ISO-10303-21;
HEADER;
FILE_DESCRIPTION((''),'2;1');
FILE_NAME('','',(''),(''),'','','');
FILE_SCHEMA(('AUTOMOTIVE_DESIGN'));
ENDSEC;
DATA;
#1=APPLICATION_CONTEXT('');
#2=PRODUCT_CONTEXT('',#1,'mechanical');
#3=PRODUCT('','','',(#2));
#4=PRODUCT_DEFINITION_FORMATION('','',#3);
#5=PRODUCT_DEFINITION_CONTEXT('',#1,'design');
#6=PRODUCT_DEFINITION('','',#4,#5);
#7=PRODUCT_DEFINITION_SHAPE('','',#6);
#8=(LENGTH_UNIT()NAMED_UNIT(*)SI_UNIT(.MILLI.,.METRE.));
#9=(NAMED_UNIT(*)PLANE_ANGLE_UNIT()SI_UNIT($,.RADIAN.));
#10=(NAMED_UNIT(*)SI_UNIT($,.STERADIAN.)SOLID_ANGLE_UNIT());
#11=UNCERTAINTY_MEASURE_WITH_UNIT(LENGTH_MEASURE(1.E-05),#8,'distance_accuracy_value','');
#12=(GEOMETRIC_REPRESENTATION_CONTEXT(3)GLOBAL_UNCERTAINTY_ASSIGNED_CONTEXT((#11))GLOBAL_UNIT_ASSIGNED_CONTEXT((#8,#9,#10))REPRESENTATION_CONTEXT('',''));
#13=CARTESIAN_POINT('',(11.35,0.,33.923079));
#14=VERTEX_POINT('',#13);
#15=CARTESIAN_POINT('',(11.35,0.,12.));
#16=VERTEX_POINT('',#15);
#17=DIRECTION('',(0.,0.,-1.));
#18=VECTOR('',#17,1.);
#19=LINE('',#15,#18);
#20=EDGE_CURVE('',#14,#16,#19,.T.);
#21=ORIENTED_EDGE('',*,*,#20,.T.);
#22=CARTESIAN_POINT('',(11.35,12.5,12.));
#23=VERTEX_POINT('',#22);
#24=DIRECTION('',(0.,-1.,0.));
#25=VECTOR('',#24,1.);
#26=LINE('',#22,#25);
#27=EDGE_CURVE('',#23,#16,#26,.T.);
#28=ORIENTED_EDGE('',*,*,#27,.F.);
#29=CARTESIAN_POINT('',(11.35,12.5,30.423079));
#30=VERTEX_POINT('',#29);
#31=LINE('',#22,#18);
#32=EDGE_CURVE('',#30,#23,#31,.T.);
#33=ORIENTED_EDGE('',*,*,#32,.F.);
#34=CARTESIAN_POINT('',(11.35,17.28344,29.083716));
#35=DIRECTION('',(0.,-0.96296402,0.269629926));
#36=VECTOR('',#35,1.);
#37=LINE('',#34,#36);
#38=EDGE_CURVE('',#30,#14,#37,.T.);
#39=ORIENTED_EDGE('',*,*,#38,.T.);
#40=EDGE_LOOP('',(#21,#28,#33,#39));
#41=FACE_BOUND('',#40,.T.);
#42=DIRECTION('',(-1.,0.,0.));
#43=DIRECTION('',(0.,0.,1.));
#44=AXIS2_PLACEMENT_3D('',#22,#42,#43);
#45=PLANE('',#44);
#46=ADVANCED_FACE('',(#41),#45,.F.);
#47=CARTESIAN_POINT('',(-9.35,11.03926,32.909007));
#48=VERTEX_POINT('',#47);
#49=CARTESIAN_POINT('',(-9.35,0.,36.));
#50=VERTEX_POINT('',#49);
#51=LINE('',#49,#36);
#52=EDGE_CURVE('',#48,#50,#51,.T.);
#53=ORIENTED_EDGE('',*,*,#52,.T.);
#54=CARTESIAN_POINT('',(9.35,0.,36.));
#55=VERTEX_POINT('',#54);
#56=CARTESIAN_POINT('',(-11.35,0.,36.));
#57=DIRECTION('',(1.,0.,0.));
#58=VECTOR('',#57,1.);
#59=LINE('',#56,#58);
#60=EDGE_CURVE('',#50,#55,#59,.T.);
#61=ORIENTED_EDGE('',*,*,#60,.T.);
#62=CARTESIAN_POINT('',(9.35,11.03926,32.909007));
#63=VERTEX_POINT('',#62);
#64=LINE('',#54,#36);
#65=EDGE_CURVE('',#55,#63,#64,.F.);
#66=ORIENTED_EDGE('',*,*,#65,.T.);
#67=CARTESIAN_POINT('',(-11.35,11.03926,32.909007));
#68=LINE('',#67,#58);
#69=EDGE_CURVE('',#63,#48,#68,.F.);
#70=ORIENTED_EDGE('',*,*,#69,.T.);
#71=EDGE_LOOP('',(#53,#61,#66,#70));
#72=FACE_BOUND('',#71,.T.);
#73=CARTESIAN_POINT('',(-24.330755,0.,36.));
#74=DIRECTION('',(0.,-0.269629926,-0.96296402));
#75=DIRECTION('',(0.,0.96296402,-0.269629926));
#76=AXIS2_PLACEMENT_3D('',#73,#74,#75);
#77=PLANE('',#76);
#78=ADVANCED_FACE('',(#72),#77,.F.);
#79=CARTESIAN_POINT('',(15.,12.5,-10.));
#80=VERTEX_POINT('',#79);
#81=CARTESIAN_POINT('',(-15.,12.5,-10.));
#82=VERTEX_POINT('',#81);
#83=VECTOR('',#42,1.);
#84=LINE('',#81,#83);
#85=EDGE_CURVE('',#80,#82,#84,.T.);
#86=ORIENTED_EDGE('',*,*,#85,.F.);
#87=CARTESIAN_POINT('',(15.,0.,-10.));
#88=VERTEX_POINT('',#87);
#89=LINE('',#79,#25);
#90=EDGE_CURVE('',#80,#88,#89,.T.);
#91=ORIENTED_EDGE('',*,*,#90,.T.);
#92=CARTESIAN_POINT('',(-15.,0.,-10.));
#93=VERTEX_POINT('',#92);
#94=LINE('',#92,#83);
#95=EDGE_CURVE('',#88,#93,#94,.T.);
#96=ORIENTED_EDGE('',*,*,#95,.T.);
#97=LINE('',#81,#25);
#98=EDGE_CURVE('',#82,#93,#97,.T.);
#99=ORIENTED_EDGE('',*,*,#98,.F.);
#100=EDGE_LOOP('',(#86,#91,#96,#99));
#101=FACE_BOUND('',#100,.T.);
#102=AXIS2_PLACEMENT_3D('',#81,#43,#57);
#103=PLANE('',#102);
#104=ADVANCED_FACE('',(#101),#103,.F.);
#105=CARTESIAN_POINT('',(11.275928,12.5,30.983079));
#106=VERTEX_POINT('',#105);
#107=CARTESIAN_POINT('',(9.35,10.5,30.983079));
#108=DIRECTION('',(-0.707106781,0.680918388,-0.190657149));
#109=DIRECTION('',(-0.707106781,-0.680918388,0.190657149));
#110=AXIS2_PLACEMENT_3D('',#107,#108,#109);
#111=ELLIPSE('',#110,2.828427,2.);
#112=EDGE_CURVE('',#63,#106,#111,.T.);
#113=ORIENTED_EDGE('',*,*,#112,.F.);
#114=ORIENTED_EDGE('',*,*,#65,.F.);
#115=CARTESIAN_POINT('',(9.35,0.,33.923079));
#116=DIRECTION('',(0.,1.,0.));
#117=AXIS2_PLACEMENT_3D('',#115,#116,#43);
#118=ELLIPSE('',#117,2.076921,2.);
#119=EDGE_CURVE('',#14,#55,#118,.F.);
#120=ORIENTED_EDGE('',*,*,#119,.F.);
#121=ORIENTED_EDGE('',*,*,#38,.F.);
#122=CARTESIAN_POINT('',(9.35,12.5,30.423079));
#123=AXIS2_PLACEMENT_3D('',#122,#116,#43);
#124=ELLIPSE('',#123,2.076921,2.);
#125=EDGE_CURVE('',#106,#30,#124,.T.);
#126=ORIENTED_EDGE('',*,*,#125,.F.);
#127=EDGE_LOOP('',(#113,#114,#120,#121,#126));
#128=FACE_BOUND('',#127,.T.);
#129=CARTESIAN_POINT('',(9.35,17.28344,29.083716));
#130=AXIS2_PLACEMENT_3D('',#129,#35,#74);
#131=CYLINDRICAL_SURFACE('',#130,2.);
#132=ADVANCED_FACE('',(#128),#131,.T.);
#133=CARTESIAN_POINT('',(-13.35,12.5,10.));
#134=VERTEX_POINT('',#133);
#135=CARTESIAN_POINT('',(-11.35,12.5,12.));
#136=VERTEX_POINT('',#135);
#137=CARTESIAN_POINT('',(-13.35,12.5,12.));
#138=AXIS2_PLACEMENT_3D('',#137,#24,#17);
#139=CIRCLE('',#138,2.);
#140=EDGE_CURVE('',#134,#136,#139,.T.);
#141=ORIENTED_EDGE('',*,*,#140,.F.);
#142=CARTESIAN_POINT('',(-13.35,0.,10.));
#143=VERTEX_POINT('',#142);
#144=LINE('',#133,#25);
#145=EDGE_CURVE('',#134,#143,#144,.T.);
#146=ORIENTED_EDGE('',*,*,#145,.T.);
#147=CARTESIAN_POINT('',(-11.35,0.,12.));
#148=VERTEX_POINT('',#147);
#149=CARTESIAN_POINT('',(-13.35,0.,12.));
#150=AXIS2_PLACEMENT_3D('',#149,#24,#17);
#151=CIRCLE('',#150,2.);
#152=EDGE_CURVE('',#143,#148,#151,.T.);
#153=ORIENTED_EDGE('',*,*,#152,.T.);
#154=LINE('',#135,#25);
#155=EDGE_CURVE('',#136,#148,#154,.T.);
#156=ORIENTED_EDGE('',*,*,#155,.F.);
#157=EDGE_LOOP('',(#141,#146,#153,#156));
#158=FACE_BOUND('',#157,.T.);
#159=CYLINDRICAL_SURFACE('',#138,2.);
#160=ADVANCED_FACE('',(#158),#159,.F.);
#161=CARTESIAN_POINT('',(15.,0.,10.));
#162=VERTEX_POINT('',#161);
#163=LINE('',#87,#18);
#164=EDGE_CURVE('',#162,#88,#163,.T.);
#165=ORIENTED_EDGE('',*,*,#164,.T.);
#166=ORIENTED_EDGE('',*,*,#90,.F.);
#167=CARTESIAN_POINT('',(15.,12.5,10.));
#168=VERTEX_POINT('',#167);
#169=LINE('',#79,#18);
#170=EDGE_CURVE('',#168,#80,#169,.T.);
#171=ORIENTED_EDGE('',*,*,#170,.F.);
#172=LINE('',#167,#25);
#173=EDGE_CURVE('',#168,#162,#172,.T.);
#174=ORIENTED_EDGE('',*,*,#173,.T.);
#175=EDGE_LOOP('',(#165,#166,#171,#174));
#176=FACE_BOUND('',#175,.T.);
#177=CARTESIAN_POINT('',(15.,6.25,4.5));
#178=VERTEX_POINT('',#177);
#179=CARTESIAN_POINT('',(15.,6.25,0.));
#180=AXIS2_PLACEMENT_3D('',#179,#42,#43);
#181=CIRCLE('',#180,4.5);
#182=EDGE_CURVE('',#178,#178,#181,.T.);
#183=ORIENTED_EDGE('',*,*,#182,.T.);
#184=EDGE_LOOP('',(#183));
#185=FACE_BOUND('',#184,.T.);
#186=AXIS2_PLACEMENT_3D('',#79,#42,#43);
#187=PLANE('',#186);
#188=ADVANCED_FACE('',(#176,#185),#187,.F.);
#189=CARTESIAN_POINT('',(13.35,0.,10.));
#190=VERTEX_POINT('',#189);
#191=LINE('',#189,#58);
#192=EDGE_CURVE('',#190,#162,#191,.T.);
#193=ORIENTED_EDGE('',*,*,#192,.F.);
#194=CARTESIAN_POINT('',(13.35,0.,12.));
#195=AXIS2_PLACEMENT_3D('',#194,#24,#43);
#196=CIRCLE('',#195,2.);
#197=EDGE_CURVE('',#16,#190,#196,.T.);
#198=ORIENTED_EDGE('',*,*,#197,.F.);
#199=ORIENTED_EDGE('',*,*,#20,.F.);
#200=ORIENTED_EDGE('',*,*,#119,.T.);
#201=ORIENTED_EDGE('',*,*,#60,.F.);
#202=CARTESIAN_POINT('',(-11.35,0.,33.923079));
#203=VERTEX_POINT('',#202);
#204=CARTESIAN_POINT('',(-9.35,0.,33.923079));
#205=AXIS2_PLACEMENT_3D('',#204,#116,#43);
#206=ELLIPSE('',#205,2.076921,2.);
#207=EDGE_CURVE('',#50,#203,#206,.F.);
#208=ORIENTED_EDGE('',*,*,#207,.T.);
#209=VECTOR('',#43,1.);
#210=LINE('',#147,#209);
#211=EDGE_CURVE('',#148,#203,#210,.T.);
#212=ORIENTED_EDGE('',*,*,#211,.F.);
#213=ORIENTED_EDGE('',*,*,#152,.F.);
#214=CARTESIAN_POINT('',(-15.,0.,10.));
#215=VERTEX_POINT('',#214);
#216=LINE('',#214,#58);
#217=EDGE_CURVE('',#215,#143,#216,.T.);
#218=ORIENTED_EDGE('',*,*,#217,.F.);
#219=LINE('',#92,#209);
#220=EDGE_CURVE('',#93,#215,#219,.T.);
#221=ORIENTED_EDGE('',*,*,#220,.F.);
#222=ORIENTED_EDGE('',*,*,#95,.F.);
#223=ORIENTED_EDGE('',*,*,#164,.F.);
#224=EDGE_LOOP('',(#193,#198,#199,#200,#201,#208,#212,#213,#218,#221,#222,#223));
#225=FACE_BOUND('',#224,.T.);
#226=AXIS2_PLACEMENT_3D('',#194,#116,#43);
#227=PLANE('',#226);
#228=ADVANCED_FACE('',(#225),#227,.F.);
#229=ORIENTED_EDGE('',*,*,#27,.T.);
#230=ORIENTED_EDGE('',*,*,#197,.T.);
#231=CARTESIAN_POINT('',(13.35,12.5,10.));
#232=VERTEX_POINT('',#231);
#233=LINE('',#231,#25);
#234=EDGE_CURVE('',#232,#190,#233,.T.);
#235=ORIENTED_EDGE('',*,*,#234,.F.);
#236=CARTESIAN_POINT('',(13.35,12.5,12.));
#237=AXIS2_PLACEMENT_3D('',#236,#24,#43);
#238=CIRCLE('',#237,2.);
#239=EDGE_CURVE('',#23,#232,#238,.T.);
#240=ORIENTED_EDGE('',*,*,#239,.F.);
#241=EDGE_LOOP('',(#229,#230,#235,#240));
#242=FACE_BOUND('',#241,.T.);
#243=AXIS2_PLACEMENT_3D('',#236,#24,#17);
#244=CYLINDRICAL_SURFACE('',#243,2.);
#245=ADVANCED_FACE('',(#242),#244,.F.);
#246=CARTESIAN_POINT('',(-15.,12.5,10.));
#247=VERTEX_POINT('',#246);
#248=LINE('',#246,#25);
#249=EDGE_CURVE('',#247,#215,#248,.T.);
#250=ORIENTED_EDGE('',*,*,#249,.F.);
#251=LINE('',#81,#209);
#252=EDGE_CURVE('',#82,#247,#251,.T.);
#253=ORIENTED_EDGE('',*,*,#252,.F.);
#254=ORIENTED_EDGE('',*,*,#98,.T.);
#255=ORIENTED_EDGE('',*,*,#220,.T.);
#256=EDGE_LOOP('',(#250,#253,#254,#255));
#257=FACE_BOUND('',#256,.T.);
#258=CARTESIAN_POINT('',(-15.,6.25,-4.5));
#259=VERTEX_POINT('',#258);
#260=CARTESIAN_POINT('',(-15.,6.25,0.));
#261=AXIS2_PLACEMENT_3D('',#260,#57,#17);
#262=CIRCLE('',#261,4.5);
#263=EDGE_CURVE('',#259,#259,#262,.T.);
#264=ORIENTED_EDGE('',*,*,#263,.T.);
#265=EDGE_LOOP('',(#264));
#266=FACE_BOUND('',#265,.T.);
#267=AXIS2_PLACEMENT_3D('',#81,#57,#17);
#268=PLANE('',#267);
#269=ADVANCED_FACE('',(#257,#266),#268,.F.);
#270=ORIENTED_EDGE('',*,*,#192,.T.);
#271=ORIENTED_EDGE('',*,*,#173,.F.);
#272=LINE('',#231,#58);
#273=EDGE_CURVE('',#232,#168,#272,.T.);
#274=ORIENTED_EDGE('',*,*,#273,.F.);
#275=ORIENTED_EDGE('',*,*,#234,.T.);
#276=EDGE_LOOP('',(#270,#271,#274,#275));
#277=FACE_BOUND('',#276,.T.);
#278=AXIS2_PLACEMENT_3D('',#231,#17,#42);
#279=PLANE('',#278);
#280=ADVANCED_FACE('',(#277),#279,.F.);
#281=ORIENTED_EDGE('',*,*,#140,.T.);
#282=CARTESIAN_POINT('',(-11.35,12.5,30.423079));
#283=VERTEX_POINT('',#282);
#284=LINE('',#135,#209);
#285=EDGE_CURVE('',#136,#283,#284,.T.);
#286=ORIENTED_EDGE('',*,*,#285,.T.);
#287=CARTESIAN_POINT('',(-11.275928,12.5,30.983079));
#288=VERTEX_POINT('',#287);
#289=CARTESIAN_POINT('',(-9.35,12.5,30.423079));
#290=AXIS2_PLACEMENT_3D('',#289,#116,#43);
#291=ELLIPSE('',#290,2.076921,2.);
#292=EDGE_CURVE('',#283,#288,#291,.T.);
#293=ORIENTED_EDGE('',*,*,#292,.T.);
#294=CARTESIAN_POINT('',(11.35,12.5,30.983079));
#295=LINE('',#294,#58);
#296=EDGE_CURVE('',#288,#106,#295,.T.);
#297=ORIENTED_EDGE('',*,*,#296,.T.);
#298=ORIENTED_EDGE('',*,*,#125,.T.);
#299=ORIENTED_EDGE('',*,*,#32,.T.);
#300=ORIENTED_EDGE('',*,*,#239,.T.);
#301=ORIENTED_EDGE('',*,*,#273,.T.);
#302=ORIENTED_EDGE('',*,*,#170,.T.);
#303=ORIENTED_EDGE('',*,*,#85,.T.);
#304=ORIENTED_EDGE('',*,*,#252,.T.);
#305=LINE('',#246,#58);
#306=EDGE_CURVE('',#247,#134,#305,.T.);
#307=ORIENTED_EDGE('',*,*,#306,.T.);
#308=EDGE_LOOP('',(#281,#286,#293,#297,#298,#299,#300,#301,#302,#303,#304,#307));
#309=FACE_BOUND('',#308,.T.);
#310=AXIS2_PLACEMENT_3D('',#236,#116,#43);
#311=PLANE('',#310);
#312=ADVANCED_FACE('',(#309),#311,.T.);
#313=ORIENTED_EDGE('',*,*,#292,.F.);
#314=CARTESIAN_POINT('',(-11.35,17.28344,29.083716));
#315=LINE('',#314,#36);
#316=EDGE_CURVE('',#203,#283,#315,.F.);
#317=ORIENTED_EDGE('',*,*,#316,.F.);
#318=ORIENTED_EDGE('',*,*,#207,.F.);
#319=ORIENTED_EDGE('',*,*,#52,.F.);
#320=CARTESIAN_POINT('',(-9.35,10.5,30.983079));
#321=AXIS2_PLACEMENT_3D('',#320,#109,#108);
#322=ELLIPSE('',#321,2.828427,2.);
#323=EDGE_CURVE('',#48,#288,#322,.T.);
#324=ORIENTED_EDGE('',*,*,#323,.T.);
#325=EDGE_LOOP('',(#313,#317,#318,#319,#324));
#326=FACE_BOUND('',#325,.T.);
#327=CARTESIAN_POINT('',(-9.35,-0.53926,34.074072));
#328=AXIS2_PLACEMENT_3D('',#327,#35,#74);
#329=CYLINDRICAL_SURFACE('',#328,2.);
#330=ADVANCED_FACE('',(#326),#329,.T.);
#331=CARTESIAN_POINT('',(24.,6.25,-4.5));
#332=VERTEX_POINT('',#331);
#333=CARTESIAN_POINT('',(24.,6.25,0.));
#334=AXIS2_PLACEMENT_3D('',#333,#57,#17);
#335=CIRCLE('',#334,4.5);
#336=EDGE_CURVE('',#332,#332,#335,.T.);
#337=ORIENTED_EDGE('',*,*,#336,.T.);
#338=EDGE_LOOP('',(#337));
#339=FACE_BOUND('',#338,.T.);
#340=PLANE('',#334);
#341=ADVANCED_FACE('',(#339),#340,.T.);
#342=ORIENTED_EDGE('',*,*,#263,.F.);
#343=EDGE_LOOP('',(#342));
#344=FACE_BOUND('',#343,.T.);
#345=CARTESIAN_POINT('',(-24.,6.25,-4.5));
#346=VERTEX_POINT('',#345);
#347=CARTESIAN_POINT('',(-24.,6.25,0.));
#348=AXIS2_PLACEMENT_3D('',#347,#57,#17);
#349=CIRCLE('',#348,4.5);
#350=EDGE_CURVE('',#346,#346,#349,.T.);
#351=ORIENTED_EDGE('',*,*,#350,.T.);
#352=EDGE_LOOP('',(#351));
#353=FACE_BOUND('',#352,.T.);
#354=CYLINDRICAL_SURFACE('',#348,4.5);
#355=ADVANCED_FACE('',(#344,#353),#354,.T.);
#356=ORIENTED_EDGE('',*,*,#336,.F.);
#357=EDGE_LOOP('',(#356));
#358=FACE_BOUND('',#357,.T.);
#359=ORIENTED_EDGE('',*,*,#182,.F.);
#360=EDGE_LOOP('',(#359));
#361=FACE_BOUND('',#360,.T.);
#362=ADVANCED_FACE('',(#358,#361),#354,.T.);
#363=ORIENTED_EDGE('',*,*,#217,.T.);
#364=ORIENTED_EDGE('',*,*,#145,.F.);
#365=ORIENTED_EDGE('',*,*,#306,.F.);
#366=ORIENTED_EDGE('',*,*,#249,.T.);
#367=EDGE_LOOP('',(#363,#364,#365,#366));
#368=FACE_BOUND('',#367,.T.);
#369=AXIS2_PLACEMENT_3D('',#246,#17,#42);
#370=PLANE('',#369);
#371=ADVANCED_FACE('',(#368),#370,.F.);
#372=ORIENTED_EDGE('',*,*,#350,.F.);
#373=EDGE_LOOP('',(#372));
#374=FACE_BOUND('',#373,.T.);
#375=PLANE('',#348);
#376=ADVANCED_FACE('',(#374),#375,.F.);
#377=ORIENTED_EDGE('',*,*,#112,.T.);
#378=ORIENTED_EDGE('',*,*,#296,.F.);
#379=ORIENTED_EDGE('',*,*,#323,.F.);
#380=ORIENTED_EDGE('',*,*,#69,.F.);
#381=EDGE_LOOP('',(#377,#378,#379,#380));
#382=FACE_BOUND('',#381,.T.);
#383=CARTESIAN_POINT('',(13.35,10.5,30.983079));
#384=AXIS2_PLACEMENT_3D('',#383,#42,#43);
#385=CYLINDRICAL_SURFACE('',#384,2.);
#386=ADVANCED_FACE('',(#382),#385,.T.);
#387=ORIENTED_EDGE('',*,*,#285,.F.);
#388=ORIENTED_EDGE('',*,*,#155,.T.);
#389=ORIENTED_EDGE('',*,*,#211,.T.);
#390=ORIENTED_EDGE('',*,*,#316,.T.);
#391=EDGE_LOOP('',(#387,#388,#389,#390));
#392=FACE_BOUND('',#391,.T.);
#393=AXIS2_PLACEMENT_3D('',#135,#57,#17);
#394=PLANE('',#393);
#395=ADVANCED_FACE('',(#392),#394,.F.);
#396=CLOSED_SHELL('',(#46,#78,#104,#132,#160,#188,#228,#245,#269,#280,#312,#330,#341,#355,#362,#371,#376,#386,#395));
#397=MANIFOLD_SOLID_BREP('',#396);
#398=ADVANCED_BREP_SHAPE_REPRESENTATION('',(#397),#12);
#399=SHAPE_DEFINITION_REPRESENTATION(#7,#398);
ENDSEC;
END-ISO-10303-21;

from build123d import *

# Parameters (mm, degrees)
BOSS_EXTRUDE1_DEPTH            = 12.5
CUT_EXTRUDE1_REACH             = 42.954
CUT_EXTRUDE1_DIRECTION_2_REACH = 42.954
FILLET1_R                      = 2
BOSS_EXTRUDE2_DEPTH            = 24
BOSS_EXTRUDE2_DEPTH_BACK       = 24
SKETCH3_R                      = 4.5


with BuildPart() as part:
    # Sketch1 → Boss-Extrude1 (new body)
    with BuildSketch(Plane(origin=(0, 0, 0), x_dir=(1, 0, 0), z_dir=(0, 1, 0))):
        with BuildLine():
            Line((13.35, -10), (15, -10))
            Line((15, -10), (15, 10))
            Line((15, 10), (-15, 10))
            Line((-15, 10), (-15, -10))
            Line((-15, -10), (-13.35, -10))
            ThreePointArc((-13.35, -10), (-11.935786438, -10.585786438), (-11.35, -12))
            Line((-11.35, -12), (-11.35, -36))
            Line((-11.35, -36), (11.35, -36))
            Line((11.35, -36), (11.35, -12))
            ThreePointArc((11.35, -12), (11.935786438, -10.585786438), (13.35, -10))
        make_face()
    extrude(amount=BOSS_EXTRUDE1_DEPTH)

    # Cut-Extrude1: up to this face of the body (flat: up to its plane)
    cut_extrude1_end = Plane(part.part.faces().sort_by_distance((-11.35, 6.25, 24))[0])
    # Sketch2 → Cut-Extrude1 (cut, up to the picked face)
    with BuildSketch(Plane(origin=(0, 0, 0), x_dir=(0, 0, -1), z_dir=(1, 0, 0)), mode=Mode.PRIVATE) as cut_extrude1_sk1:
        Polygon((-36, 0), (-32.5, 12.5), (-36, 12.5), align=None)
    cut_extrude1_tool1 = split(extrude(cut_extrude1_sk1.sketch, amount=-CUT_EXTRUDE1_REACH, mode=Mode.PRIVATE), bisect_by=cut_extrude1_end, keep=Keep.BOTH, mode=Mode.PRIVATE)
    add(cut_extrude1_tool1.solids().sort_by(Axis((0, 8.333333, 34.833333), (-1, 0, 0)))[0], mode=Mode.SUBTRACT)

    # Cut-Extrude1 direction 2: up to this face of the body (flat: up to its plane)
    cut_extrude1_direction_2_end = Plane(part.part.faces().sort_by_distance((11.35, 6.25, 24))[0])
    # Sketch2 → Cut-Extrude1 direction 2 (cut, up to the picked face)
    with BuildSketch(Plane(origin=(0, 0, 0), x_dir=(0, 0, -1), z_dir=(1, 0, 0)), mode=Mode.PRIVATE) as cut_extrude1_direction_2_sk1:
        Polygon((-36, 0), (-32.5, 12.5), (-36, 12.5), align=None)
    cut_extrude1_direction_2_tool1 = split(extrude(cut_extrude1_direction_2_sk1.sketch, amount=CUT_EXTRUDE1_DIRECTION_2_REACH, mode=Mode.PRIVATE), bisect_by=cut_extrude1_direction_2_end, keep=Keep.BOTH, mode=Mode.PRIVATE)
    add(cut_extrude1_direction_2_tool1.solids().sort_by(Axis((0, 8.333333, 34.833333), (1, 0, 0)))[0], mode=Mode.SUBTRACT)

    # Fillet1
    fillet1_edges = [part.edges().sort_by_distance(p)[0] for p in [
        (0, 12.5, 32.5),
        (11.35, 6.25, 34.25),
        (-11.35, 6.25, 34.25),
    ]]
    fillet(fillet1_edges, radius=FILLET1_R)

    # Sketch3 → Boss-Extrude2 (add, two sides: drawn at the far end of the back side and taken through both)
    with BuildSketch(Plane(origin=(0, 0, 0), x_dir=(0, 0, -1), z_dir=(1, 0, 0)).offset(-BOSS_EXTRUDE2_DEPTH_BACK)):
        with Locations((0, 6.25)):
            Circle(SKETCH3_R)
    extrude(amount=BOSS_EXTRUDE2_DEPTH + BOSS_EXTRUDE2_DEPTH_BACK)


solid = part.part
